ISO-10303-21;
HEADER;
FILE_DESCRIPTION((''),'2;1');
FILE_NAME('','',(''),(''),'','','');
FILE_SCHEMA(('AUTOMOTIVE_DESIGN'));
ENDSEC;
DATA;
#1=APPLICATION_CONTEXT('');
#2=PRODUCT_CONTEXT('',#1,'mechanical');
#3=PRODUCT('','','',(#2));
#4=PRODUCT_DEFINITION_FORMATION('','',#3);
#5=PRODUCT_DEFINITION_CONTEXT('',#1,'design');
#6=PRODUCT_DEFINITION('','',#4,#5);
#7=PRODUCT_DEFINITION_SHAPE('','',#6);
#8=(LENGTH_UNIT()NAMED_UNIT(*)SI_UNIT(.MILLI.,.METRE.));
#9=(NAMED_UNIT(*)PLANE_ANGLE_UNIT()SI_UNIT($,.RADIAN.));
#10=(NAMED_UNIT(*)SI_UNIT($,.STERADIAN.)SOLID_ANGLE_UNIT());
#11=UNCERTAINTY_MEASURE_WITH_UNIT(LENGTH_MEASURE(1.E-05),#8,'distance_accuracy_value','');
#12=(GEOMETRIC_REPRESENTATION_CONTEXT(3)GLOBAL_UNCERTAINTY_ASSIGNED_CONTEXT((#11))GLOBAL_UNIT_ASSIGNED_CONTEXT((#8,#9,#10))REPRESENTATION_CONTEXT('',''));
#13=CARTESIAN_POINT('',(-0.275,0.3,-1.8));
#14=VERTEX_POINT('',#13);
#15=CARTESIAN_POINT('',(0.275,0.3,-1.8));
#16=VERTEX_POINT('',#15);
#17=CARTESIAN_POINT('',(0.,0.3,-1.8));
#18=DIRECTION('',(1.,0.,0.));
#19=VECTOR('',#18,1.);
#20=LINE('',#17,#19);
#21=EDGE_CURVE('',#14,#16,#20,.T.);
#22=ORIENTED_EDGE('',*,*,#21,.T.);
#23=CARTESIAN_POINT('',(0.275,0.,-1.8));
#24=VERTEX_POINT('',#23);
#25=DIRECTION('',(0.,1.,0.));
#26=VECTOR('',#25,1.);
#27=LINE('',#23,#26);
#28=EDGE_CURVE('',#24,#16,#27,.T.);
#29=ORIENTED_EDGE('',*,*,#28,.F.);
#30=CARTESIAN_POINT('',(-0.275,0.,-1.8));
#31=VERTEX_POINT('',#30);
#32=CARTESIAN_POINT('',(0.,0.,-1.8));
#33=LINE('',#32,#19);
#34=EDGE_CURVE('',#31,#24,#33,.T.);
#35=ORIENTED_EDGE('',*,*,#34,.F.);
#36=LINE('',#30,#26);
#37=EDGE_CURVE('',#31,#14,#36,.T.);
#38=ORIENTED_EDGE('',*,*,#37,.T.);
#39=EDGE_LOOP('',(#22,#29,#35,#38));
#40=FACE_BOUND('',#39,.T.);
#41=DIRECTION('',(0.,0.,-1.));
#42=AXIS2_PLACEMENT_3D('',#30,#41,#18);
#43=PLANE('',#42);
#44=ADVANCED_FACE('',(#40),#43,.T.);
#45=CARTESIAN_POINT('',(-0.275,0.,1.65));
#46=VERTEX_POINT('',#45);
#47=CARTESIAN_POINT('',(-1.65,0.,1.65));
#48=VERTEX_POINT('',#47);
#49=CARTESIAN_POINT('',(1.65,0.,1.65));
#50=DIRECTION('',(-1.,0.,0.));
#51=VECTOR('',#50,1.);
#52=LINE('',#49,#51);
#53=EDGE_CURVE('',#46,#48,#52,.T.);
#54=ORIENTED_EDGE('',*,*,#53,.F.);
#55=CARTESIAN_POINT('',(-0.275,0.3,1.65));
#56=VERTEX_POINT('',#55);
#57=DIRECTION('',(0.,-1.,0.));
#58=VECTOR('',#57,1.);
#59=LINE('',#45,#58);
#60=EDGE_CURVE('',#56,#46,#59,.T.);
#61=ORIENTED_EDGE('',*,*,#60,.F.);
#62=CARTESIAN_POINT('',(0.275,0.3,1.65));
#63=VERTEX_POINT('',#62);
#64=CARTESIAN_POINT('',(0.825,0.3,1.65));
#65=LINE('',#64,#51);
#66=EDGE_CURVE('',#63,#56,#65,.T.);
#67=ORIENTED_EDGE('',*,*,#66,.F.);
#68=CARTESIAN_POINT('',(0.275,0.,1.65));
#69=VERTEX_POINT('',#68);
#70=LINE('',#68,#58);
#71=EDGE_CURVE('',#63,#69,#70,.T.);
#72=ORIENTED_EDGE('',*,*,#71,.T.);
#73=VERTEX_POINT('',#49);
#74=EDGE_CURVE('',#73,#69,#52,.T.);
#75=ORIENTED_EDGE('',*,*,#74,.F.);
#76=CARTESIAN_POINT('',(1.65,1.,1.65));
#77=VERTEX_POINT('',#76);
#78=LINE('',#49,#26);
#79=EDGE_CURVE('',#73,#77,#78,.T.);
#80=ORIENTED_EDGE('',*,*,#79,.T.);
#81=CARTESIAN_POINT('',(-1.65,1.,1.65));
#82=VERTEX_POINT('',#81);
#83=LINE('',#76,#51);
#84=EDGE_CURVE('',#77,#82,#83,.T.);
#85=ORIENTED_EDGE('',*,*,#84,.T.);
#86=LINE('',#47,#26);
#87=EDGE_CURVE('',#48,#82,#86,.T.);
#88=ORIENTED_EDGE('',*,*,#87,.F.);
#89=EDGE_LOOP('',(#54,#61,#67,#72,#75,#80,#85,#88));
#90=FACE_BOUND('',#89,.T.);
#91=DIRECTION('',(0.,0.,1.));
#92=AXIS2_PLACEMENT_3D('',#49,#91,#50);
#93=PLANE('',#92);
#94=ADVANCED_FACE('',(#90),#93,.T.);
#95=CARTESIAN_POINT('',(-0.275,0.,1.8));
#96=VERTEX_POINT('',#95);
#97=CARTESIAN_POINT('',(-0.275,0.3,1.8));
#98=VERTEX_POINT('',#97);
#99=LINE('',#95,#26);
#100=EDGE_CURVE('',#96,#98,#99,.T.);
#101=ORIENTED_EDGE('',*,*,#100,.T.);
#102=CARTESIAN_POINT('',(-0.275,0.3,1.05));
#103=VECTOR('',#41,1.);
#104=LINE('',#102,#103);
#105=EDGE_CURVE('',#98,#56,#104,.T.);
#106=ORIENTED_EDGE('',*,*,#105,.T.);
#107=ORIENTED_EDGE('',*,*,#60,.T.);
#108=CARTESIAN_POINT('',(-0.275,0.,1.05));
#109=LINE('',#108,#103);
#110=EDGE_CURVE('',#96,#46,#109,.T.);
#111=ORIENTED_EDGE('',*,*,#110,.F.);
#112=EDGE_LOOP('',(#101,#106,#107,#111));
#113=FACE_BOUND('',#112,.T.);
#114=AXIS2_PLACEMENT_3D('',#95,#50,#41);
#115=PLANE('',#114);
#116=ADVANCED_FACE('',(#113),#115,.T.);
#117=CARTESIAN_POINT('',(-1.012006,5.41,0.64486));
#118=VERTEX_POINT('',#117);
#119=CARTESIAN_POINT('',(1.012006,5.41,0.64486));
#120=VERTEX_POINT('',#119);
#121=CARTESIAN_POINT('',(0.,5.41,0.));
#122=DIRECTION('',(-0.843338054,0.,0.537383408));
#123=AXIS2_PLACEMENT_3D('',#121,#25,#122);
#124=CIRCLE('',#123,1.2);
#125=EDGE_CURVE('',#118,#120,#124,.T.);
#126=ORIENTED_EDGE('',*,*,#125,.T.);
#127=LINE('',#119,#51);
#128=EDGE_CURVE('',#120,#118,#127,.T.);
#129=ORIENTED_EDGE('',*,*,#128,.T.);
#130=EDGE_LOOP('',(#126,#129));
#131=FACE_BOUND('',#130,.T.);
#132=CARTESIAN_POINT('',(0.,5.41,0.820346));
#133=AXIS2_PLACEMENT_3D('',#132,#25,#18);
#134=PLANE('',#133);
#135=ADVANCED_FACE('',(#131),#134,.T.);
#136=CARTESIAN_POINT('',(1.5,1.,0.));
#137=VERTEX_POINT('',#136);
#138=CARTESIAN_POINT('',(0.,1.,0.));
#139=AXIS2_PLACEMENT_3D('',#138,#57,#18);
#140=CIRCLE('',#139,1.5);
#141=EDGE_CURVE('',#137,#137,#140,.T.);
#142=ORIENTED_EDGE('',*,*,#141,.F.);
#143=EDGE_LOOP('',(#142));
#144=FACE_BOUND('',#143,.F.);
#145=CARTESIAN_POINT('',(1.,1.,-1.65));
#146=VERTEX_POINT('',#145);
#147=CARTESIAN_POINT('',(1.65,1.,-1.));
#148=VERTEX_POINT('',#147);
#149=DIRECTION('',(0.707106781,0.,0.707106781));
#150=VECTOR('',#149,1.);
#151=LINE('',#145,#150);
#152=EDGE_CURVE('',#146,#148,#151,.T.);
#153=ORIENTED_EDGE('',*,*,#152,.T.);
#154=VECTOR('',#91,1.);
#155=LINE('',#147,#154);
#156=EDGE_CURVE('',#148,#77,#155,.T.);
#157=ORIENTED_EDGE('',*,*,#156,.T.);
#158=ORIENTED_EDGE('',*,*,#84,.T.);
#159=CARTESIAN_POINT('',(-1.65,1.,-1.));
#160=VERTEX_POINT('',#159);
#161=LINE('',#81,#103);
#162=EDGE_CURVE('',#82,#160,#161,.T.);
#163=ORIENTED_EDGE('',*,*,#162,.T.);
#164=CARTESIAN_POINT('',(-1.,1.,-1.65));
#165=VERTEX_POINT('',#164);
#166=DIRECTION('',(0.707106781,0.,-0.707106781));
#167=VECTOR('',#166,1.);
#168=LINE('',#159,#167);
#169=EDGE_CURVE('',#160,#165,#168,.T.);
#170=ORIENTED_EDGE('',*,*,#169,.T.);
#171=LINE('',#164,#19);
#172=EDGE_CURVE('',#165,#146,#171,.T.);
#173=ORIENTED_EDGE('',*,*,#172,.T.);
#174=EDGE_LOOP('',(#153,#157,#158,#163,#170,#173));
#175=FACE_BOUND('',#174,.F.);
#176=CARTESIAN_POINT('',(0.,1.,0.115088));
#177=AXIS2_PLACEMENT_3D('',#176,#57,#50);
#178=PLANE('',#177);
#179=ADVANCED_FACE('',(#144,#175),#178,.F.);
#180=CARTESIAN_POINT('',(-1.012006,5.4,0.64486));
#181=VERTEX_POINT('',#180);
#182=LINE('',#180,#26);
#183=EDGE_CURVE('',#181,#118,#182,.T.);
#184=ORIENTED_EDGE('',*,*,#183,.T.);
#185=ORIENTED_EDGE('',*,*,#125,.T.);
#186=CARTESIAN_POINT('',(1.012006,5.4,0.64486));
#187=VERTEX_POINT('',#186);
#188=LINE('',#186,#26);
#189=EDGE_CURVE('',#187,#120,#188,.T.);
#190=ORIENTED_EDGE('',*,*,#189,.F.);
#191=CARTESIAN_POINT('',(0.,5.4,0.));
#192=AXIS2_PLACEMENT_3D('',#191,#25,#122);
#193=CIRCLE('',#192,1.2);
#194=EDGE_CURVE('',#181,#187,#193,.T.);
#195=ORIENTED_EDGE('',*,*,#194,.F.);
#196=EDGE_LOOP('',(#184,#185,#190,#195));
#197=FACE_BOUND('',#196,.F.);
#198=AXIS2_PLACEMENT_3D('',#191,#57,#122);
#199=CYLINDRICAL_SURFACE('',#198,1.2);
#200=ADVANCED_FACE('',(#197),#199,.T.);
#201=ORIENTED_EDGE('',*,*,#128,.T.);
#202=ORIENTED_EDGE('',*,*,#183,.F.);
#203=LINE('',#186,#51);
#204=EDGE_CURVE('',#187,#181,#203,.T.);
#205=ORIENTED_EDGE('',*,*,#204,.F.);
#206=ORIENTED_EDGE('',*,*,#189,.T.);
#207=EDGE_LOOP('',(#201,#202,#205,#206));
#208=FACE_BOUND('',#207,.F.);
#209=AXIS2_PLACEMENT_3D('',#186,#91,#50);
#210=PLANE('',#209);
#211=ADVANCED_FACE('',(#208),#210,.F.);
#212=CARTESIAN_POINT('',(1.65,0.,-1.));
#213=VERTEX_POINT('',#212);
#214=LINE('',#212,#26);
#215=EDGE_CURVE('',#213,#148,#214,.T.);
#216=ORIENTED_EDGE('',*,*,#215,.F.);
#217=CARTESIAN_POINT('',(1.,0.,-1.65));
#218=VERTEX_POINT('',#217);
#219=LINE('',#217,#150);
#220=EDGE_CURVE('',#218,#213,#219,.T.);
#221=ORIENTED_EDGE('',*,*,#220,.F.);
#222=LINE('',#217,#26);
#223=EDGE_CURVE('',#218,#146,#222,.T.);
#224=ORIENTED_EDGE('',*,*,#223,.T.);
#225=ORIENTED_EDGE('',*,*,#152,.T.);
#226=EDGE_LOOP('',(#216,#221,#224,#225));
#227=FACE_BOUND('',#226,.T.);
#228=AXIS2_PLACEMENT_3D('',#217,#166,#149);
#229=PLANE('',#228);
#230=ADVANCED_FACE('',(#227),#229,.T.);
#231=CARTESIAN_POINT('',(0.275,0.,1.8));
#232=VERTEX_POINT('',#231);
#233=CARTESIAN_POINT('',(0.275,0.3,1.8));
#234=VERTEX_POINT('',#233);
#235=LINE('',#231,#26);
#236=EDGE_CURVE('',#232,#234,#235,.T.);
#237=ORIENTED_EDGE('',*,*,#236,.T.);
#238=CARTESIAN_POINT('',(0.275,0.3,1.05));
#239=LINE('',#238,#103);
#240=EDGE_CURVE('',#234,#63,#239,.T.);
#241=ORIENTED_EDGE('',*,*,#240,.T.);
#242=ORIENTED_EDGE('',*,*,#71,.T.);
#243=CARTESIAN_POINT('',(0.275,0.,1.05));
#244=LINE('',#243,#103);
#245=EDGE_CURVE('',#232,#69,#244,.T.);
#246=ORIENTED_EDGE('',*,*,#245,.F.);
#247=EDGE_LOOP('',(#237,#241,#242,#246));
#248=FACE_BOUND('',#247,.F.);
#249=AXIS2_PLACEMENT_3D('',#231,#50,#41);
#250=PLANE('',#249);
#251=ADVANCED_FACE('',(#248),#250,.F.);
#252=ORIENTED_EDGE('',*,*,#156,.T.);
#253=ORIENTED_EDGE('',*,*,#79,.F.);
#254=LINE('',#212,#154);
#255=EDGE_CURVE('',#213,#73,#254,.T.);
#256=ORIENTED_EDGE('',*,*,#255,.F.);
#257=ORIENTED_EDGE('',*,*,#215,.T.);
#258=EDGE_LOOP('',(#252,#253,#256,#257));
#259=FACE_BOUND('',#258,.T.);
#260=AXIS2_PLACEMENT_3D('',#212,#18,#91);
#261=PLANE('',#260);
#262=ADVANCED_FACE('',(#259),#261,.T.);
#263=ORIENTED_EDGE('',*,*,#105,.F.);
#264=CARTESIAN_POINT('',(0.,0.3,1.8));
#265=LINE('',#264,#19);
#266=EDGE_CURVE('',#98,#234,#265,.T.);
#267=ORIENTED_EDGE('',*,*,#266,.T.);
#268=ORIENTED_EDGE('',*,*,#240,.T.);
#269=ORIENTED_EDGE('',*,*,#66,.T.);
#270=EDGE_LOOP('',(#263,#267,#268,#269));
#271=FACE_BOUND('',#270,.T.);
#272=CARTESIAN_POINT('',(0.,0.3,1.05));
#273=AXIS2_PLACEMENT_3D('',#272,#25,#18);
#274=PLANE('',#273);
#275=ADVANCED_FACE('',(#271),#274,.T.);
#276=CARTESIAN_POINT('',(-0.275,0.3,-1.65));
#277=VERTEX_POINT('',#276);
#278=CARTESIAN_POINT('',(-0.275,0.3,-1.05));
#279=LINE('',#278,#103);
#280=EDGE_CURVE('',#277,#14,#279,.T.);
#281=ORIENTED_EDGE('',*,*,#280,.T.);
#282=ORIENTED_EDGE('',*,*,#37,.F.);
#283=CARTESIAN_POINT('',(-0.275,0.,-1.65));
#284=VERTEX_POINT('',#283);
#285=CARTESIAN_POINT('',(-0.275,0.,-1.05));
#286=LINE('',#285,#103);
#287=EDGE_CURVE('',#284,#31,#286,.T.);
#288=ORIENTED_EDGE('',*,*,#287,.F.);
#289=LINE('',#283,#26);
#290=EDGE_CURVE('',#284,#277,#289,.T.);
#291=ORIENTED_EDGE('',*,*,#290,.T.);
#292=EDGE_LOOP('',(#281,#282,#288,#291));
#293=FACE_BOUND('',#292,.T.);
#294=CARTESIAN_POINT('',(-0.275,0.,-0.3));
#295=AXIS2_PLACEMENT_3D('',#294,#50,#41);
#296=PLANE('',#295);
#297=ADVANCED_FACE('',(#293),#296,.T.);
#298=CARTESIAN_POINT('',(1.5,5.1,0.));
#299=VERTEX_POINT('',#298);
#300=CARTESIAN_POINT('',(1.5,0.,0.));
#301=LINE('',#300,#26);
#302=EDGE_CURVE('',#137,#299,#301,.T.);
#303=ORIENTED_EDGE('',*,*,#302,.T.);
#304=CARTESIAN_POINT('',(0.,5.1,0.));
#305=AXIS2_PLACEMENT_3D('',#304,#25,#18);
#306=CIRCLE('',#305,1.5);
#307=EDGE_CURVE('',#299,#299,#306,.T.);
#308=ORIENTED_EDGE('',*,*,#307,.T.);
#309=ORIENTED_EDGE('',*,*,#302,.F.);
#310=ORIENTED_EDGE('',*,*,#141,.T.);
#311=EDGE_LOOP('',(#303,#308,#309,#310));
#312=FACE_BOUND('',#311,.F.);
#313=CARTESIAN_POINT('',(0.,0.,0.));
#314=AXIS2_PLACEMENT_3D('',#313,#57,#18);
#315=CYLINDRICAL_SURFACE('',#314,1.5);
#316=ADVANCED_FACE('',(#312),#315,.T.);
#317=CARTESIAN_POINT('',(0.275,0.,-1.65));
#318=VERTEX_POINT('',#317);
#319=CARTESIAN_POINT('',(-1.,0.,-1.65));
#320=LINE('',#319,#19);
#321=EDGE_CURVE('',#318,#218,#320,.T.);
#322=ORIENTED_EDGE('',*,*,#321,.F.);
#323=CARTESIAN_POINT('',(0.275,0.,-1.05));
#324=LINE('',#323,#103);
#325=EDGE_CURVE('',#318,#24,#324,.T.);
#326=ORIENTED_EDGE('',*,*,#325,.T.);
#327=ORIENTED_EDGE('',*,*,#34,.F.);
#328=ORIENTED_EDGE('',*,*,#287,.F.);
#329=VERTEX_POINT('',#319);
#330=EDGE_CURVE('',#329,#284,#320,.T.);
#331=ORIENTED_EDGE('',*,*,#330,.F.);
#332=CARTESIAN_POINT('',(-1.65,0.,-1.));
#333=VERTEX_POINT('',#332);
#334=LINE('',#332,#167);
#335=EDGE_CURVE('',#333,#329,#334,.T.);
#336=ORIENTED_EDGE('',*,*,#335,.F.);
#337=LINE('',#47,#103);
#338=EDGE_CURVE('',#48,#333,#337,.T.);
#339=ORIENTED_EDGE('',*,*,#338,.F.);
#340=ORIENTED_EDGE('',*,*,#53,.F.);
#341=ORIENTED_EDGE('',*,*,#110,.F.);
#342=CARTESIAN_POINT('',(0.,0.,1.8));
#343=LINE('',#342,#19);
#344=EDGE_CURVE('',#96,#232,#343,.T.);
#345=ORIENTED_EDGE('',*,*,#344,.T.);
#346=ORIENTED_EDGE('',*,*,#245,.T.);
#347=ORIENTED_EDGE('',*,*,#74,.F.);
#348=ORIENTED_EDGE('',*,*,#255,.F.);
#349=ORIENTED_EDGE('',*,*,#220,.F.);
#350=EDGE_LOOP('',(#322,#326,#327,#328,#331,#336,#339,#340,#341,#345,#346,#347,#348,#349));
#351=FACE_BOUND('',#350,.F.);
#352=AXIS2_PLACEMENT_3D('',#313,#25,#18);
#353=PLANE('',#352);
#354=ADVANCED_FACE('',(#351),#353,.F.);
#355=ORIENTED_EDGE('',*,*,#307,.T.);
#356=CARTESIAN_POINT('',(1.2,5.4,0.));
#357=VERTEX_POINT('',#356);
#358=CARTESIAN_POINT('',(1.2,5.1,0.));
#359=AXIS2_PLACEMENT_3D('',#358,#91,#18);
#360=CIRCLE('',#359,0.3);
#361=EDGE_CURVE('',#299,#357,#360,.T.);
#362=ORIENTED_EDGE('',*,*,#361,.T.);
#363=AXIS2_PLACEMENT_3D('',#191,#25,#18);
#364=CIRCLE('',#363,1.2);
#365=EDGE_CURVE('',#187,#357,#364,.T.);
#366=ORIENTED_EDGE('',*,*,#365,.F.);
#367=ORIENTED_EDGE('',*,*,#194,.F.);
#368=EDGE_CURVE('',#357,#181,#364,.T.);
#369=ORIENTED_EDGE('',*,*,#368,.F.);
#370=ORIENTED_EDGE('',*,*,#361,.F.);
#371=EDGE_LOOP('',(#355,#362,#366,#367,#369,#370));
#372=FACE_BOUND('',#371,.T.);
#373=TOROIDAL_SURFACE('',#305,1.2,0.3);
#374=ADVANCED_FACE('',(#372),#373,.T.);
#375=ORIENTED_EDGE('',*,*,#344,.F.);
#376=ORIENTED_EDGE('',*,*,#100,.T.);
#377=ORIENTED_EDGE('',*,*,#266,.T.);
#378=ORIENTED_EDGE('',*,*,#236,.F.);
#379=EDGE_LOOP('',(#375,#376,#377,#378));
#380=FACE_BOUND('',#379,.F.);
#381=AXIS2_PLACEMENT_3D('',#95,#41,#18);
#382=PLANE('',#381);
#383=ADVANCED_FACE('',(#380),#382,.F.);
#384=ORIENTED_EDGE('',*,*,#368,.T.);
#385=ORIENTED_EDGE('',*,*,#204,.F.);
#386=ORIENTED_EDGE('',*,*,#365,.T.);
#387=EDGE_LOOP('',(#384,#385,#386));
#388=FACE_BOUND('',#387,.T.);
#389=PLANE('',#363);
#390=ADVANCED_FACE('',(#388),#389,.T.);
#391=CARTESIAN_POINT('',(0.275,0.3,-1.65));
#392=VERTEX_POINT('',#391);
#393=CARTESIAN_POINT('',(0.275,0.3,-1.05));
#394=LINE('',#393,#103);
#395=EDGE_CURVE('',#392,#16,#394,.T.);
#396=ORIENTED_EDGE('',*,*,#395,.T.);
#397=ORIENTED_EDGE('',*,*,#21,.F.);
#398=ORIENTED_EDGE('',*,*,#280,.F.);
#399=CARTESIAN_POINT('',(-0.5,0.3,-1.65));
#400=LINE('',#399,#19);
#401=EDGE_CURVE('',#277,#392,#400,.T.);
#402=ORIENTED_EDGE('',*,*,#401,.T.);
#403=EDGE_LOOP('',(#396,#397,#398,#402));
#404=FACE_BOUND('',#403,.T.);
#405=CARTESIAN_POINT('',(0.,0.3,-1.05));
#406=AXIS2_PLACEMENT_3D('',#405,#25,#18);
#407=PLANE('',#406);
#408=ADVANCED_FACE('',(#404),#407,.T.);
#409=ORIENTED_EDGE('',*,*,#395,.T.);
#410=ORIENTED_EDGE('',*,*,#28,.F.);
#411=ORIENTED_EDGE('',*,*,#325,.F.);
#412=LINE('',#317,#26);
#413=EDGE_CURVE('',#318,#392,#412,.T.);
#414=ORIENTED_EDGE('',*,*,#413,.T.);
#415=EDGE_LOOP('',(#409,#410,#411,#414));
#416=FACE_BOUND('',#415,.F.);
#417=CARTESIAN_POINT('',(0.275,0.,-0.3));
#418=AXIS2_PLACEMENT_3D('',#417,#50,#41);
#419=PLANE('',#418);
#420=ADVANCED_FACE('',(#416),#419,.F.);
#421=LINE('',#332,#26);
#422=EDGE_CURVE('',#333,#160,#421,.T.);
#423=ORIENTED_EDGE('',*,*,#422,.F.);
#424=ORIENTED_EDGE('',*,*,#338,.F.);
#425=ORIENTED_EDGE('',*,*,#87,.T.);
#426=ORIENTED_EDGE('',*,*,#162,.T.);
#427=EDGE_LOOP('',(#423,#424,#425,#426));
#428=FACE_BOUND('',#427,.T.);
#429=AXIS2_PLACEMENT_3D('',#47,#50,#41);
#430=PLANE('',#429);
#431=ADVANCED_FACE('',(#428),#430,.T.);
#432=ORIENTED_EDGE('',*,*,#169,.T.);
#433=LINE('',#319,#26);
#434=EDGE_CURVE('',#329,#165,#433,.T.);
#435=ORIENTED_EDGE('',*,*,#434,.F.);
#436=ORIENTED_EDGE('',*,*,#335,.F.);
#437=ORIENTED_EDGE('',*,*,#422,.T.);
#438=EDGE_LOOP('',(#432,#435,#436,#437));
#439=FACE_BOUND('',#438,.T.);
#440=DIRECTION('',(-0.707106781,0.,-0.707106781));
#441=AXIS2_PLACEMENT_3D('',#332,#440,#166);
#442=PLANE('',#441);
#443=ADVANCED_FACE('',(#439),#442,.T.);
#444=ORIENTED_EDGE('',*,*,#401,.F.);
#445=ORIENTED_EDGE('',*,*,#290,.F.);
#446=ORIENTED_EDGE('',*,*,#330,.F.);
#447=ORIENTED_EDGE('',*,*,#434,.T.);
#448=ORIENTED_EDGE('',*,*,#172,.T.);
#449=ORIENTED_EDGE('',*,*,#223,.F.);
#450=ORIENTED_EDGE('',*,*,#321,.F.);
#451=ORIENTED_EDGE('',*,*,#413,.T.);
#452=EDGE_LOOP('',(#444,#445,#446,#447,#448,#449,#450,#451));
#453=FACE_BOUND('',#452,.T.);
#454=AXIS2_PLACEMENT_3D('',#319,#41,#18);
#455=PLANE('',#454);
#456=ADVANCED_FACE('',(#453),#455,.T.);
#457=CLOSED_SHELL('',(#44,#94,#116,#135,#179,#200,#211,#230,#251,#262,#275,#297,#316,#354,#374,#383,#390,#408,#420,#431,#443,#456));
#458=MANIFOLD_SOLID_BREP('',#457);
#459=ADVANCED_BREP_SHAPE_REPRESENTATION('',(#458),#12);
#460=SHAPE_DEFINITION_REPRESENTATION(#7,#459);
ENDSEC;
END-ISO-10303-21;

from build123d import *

# Parameters (mm, degrees)
BOSS_EXTRUDE1_DEPTH = 1
SKETCH3_R           = 1.5
BOSS_EXTRUDE2_DEPTH = 5.4
FILLET1_R           = 0.3
SKETCH4_W           = 0.55
SKETCH4_H           = 1.5
BOSS_EXTRUDE3_DEPTH = 0.3
BOSS_EXTRUDE4_DEPTH = 0.01


with BuildPart() as part:
    # Sketch2 → Boss-Extrude1 (new body)
    with BuildSketch(Plane(origin=(0, 0, 0), x_dir=(1, 0, 0), z_dir=(0, 1, 0))):
        Polygon((1.65, -1.65), (-1.65, -1.65), (-1.65, 1), (-1, 1.65), (1, 1.65), (1.65, 1), align=None)
    extrude(amount=BOSS_EXTRUDE1_DEPTH)

    # Sketch3 → Boss-Extrude2 (add)
    with BuildSketch(Plane(origin=(0, 0, 0), x_dir=(1, 0, 0), z_dir=(0, 1, 0))):
        Circle(SKETCH3_R)
    extrude(amount=BOSS_EXTRUDE2_DEPTH)

    # Fillet1
    fillet1_edges = [part.edges().sort_by_distance(p)[0] for p in [
        (-1.5, 5.4, 0),
    ]]
    fillet(fillet1_edges, radius=FILLET1_R)

    # Sketch4 → Boss-Extrude3 (add)
    with BuildSketch(Plane(origin=(0, 0, 0), x_dir=(1, 0, 0), z_dir=(0, 1, 0))):
        with Locations((0, 1.05)):
            Rectangle(SKETCH4_W, SKETCH4_H)
        with Locations((0, -1.05)):
            Rectangle(SKETCH4_W, SKETCH4_H)
    extrude(amount=BOSS_EXTRUDE3_DEPTH)

    # Sketch5 → Boss-Extrude4 (add)
    with BuildSketch(Plane(origin=(0, 5.4, 0), x_dir=(1, 0, 0), z_dir=(0, 1, 0))):
        with BuildLine():
            Line((1.012005665, -0.644860089), (-1.012005665, -0.644860089))
            ThreePointArc((-1.012005665, -0.644860089), (0, -1.2), (1.012005665, -0.644860089))
        make_face()
    extrude(amount=BOSS_EXTRUDE4_DEPTH)


solid = part.part
